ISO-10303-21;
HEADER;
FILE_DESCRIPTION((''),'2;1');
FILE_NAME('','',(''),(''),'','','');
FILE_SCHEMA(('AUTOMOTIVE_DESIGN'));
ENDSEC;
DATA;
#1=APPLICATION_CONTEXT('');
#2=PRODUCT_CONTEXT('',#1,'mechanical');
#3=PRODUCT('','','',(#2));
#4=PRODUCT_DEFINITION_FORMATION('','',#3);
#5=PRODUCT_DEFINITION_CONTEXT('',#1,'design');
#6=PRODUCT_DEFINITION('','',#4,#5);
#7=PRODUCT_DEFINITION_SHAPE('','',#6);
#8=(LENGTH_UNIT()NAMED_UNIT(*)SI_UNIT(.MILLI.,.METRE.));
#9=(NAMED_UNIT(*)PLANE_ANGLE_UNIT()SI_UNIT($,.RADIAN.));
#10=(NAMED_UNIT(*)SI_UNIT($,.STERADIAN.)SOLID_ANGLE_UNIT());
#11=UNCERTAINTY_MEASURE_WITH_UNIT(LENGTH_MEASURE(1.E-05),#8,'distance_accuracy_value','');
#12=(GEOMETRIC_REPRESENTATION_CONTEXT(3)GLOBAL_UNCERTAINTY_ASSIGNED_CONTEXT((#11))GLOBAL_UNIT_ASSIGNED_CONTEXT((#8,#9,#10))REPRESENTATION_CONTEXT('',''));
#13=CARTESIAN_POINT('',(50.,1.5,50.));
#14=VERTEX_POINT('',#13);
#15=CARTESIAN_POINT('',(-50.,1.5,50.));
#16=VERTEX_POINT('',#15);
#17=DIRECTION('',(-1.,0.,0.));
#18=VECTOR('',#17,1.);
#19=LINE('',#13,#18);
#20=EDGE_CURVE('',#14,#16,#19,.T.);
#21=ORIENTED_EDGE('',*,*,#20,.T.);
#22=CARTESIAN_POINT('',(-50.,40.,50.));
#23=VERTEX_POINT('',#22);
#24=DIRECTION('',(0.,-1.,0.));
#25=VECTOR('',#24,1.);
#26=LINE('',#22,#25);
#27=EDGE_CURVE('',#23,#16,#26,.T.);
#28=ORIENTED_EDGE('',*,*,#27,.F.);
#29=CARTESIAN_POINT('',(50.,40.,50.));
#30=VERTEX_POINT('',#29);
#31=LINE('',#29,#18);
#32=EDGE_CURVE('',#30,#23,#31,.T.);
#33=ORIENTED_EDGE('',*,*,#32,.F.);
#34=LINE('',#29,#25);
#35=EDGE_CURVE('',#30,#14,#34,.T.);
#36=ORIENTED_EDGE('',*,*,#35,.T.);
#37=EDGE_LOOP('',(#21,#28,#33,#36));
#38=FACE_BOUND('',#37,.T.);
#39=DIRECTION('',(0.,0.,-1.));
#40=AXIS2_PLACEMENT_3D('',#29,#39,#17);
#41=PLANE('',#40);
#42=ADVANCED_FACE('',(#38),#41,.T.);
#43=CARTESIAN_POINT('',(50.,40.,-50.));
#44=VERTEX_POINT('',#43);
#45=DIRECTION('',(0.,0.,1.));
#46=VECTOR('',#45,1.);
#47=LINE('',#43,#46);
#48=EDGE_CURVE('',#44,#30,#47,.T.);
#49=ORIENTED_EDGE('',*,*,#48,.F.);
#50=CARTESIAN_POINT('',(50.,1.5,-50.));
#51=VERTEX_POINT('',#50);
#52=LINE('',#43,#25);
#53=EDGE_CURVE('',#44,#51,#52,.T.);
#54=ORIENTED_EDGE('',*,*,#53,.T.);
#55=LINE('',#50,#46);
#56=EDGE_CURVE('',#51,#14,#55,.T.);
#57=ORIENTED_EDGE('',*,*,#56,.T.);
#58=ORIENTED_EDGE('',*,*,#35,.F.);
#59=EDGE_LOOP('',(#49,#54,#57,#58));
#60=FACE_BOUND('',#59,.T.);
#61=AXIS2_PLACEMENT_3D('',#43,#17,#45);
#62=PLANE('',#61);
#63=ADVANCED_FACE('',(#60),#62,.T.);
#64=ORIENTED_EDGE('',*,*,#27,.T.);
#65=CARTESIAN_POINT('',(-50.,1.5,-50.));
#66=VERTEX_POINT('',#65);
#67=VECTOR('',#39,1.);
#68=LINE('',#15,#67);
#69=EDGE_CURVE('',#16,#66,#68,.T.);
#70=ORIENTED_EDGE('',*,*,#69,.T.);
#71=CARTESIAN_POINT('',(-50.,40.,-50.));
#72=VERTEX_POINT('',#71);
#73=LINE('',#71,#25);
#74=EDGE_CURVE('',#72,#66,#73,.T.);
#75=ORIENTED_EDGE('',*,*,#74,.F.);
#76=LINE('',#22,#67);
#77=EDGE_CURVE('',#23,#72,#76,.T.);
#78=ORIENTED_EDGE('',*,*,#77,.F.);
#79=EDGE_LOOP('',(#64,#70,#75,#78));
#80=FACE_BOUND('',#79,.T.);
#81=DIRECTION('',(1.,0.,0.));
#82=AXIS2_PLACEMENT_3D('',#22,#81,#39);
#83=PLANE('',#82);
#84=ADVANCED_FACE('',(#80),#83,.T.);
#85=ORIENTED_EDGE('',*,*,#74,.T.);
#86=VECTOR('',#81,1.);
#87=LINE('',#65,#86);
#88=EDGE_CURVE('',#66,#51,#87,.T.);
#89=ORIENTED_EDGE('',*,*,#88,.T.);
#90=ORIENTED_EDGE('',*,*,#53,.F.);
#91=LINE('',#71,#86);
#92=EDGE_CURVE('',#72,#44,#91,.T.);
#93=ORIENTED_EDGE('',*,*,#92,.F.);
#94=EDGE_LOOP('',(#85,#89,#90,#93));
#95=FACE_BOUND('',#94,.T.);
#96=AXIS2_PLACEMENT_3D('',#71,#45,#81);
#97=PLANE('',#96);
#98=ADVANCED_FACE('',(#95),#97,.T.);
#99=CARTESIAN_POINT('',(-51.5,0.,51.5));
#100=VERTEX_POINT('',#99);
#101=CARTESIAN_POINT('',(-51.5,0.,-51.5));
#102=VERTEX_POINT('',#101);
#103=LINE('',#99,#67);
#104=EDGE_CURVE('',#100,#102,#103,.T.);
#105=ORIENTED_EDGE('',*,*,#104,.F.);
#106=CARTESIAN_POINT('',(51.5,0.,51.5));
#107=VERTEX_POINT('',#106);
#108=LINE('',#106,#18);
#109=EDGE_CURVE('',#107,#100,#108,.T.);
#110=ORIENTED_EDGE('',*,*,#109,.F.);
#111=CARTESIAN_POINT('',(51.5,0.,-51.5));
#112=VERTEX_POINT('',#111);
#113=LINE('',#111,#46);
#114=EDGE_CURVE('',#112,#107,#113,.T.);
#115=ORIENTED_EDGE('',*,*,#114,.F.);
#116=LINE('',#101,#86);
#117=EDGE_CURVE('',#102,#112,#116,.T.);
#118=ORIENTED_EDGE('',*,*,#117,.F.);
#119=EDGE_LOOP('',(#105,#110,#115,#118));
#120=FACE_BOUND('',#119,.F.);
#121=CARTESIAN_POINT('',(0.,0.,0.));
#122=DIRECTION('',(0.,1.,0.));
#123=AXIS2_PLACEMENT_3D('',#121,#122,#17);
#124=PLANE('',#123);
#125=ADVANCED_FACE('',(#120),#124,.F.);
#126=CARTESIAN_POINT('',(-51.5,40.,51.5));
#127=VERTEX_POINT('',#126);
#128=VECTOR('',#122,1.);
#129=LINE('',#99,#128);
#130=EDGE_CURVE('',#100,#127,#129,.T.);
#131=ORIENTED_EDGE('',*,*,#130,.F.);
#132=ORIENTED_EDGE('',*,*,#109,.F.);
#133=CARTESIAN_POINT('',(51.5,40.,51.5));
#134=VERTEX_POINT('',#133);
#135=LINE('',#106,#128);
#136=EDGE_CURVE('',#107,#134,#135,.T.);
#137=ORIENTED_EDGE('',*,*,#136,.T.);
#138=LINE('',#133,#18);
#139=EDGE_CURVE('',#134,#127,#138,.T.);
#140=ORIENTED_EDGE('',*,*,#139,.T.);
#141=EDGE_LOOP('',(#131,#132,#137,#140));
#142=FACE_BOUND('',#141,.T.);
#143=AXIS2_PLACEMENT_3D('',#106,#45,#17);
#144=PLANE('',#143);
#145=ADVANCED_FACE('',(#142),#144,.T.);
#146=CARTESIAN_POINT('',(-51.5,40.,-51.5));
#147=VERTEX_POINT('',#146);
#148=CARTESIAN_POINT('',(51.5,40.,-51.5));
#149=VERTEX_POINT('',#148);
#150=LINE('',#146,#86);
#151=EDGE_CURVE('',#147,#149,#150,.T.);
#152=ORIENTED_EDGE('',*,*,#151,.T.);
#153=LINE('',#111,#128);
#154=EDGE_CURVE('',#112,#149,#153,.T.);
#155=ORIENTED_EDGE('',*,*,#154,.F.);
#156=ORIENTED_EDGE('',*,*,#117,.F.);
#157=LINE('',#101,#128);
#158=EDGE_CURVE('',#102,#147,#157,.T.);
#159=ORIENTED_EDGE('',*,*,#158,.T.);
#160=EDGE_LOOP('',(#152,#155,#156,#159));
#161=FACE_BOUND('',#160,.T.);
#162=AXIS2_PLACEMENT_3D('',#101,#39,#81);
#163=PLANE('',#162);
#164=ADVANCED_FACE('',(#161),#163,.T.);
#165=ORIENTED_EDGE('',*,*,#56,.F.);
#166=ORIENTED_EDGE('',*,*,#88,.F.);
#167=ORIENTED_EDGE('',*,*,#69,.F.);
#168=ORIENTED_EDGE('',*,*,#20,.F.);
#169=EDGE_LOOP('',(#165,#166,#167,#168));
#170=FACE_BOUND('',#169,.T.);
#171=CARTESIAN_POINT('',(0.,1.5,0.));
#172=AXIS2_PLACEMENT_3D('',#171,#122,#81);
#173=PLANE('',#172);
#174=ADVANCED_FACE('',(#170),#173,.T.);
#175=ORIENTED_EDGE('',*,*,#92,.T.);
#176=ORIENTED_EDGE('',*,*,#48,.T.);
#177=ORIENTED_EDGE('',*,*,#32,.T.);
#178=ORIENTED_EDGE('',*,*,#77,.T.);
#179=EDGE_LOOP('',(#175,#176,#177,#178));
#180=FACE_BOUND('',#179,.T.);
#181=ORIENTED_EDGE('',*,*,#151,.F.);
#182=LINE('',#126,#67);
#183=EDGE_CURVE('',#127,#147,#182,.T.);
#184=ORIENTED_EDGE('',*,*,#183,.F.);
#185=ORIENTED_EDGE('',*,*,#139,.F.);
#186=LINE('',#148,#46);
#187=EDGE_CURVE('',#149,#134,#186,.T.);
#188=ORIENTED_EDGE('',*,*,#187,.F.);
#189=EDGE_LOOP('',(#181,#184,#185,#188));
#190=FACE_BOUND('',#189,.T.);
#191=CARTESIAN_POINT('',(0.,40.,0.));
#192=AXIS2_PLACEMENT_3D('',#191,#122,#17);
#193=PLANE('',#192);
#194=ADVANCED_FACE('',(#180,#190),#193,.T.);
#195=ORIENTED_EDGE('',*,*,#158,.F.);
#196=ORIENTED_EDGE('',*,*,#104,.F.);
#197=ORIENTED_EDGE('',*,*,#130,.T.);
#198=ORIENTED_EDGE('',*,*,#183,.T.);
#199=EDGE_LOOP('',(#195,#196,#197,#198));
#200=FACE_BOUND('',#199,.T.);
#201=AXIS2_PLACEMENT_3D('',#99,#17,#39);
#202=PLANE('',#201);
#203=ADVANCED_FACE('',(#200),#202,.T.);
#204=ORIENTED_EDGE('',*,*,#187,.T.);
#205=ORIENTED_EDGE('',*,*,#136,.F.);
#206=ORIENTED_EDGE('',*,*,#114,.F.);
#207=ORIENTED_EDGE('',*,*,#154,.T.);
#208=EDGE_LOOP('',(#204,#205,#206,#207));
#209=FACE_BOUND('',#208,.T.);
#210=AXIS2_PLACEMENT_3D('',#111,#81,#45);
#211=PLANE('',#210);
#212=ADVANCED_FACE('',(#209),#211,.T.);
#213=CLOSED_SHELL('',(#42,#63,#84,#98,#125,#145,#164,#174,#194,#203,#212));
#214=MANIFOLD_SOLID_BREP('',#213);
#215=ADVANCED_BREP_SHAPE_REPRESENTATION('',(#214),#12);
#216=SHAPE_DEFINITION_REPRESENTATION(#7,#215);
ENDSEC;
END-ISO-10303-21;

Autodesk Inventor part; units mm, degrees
ref_plane "YZ Plane" through (0, 0, 0) normal (1, 0, 0) x (0, 1, 0)
ref_plane "XZ Plane" through (0, 0, 0) normal (0, 1, 0) x (-1, 0, 0)
ref_plane "XY Plane" through (0, 0, 0) normal (0, 0, 1) x (1, 0, 0)
sketch "Esboço1" plane through (0, 0, 0) normal (0, 1, 0) x (-1, 0, 0)
  line L0 (-51.5, 51.5) -> (51.5, 51.5)
  line L1 (51.5, 51.5) -> (51.5, -51.5)
  line L2 (51.5, -51.5) -> (-51.5, -51.5)
  line L3 (-51.5, -51.5) -> (-51.5, 51.5)
  line L4 (-51.5, 51.5) -> (51.5, -51.5) construction
  line L5 (51.5, 51.5) -> (-51.5, -51.5) construction
  point P0 (0, 0)
  dimension "d0" = 103
  dimension "d1" = 103
extrude "Extrusão1" add sketch "Esboço1" along normal blind 40
sketch "Esboço2" plane through (0, 40, 0) normal (0, 1, 0) x (1, 0, 0)
  line L0 (51.5, 51.5) -> (-51.5, 51.5) projected
  line L1 (-51.5, 51.5) -> (-51.5, -51.5) projected
  line L2 (-51.5, -51.5) -> (51.5, -51.5) projected
  line L3 (51.5, -51.5) -> (51.5, 51.5) projected
  line L4 (-50, -50) -> (-50, 50)
  line L5 (-50, 50) -> (50, 50)
  line L6 (50, 50) -> (50, -50)
  line L7 (50, -50) -> (-50, -50)
  point P0 (0, 0)
  dimension "d4" = 1.5
extrude "Extrusão2" cut sketch "Esboço2" against normal blind 38.5 contours L4 L5 L6 L7
properties part number "Gabarito" material "Madeira (Cerejeira)"
